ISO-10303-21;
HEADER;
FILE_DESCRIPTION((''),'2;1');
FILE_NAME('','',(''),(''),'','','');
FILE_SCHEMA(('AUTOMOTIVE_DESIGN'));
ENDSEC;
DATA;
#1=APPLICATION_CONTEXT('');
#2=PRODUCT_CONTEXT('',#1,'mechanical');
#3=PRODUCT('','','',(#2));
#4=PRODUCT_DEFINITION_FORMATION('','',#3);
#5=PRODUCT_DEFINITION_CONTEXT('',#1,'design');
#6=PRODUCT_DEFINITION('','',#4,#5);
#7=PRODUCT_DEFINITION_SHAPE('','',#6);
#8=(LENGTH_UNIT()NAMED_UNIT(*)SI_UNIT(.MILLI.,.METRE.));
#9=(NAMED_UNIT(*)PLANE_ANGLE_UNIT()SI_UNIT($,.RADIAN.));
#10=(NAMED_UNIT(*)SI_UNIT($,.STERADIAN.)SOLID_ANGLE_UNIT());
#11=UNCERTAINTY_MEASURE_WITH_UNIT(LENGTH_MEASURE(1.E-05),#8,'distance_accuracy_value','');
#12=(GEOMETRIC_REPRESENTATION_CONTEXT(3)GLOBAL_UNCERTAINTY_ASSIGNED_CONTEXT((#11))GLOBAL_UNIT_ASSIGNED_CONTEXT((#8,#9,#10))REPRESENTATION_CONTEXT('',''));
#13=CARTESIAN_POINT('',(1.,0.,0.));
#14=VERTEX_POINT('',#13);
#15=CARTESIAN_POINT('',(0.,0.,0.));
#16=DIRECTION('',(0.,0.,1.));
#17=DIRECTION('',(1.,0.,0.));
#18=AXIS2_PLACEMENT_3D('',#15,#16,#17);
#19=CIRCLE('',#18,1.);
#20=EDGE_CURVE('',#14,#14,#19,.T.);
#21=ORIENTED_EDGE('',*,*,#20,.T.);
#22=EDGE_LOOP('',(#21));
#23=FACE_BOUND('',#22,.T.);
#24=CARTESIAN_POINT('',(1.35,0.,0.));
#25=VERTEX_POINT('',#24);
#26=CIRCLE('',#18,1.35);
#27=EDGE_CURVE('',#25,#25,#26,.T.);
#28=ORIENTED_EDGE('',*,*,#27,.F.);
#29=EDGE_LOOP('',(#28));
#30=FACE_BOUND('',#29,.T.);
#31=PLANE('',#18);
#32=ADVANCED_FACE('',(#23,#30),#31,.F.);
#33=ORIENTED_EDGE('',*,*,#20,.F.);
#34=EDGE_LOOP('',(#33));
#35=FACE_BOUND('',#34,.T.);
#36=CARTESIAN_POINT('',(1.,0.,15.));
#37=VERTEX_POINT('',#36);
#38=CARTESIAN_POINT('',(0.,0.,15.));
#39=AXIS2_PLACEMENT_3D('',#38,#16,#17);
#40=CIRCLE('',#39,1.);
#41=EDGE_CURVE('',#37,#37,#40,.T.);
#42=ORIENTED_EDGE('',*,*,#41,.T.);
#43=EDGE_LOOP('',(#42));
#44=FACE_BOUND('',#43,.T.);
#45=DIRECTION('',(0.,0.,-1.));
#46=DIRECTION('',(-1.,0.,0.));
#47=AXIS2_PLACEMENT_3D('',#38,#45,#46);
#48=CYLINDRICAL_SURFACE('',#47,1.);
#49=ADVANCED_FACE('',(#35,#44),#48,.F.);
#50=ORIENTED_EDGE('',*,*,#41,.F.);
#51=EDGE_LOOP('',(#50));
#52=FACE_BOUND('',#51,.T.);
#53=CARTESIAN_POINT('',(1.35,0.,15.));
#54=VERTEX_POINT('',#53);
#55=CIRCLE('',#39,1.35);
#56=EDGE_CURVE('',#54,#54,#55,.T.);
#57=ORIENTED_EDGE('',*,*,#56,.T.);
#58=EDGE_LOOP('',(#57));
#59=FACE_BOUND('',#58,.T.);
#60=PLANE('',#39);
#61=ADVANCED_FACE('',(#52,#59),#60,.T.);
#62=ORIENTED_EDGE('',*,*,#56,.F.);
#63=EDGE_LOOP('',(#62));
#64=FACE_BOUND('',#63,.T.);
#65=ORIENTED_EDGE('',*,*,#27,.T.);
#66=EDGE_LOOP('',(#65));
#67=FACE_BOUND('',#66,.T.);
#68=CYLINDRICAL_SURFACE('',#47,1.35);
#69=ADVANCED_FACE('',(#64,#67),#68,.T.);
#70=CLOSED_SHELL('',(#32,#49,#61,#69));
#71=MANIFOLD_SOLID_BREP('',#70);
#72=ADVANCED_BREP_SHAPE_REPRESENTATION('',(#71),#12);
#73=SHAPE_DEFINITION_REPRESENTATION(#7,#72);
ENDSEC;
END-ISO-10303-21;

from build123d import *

# Parameters (mm, degrees)
SKETCH1_R           = 1.35
SKETCH1_R_2         = 1
BOSS_EXTRUDE1_DEPTH = 15


with BuildPart() as part:
    # Sketch1 → Boss-Extrude1 (new body)
    with BuildSketch(Plane.XY):
        Circle(SKETCH1_R)
        Circle(SKETCH1_R_2, mode=Mode.SUBTRACT)
    extrude(amount=BOSS_EXTRUDE1_DEPTH)


solid = part.part
